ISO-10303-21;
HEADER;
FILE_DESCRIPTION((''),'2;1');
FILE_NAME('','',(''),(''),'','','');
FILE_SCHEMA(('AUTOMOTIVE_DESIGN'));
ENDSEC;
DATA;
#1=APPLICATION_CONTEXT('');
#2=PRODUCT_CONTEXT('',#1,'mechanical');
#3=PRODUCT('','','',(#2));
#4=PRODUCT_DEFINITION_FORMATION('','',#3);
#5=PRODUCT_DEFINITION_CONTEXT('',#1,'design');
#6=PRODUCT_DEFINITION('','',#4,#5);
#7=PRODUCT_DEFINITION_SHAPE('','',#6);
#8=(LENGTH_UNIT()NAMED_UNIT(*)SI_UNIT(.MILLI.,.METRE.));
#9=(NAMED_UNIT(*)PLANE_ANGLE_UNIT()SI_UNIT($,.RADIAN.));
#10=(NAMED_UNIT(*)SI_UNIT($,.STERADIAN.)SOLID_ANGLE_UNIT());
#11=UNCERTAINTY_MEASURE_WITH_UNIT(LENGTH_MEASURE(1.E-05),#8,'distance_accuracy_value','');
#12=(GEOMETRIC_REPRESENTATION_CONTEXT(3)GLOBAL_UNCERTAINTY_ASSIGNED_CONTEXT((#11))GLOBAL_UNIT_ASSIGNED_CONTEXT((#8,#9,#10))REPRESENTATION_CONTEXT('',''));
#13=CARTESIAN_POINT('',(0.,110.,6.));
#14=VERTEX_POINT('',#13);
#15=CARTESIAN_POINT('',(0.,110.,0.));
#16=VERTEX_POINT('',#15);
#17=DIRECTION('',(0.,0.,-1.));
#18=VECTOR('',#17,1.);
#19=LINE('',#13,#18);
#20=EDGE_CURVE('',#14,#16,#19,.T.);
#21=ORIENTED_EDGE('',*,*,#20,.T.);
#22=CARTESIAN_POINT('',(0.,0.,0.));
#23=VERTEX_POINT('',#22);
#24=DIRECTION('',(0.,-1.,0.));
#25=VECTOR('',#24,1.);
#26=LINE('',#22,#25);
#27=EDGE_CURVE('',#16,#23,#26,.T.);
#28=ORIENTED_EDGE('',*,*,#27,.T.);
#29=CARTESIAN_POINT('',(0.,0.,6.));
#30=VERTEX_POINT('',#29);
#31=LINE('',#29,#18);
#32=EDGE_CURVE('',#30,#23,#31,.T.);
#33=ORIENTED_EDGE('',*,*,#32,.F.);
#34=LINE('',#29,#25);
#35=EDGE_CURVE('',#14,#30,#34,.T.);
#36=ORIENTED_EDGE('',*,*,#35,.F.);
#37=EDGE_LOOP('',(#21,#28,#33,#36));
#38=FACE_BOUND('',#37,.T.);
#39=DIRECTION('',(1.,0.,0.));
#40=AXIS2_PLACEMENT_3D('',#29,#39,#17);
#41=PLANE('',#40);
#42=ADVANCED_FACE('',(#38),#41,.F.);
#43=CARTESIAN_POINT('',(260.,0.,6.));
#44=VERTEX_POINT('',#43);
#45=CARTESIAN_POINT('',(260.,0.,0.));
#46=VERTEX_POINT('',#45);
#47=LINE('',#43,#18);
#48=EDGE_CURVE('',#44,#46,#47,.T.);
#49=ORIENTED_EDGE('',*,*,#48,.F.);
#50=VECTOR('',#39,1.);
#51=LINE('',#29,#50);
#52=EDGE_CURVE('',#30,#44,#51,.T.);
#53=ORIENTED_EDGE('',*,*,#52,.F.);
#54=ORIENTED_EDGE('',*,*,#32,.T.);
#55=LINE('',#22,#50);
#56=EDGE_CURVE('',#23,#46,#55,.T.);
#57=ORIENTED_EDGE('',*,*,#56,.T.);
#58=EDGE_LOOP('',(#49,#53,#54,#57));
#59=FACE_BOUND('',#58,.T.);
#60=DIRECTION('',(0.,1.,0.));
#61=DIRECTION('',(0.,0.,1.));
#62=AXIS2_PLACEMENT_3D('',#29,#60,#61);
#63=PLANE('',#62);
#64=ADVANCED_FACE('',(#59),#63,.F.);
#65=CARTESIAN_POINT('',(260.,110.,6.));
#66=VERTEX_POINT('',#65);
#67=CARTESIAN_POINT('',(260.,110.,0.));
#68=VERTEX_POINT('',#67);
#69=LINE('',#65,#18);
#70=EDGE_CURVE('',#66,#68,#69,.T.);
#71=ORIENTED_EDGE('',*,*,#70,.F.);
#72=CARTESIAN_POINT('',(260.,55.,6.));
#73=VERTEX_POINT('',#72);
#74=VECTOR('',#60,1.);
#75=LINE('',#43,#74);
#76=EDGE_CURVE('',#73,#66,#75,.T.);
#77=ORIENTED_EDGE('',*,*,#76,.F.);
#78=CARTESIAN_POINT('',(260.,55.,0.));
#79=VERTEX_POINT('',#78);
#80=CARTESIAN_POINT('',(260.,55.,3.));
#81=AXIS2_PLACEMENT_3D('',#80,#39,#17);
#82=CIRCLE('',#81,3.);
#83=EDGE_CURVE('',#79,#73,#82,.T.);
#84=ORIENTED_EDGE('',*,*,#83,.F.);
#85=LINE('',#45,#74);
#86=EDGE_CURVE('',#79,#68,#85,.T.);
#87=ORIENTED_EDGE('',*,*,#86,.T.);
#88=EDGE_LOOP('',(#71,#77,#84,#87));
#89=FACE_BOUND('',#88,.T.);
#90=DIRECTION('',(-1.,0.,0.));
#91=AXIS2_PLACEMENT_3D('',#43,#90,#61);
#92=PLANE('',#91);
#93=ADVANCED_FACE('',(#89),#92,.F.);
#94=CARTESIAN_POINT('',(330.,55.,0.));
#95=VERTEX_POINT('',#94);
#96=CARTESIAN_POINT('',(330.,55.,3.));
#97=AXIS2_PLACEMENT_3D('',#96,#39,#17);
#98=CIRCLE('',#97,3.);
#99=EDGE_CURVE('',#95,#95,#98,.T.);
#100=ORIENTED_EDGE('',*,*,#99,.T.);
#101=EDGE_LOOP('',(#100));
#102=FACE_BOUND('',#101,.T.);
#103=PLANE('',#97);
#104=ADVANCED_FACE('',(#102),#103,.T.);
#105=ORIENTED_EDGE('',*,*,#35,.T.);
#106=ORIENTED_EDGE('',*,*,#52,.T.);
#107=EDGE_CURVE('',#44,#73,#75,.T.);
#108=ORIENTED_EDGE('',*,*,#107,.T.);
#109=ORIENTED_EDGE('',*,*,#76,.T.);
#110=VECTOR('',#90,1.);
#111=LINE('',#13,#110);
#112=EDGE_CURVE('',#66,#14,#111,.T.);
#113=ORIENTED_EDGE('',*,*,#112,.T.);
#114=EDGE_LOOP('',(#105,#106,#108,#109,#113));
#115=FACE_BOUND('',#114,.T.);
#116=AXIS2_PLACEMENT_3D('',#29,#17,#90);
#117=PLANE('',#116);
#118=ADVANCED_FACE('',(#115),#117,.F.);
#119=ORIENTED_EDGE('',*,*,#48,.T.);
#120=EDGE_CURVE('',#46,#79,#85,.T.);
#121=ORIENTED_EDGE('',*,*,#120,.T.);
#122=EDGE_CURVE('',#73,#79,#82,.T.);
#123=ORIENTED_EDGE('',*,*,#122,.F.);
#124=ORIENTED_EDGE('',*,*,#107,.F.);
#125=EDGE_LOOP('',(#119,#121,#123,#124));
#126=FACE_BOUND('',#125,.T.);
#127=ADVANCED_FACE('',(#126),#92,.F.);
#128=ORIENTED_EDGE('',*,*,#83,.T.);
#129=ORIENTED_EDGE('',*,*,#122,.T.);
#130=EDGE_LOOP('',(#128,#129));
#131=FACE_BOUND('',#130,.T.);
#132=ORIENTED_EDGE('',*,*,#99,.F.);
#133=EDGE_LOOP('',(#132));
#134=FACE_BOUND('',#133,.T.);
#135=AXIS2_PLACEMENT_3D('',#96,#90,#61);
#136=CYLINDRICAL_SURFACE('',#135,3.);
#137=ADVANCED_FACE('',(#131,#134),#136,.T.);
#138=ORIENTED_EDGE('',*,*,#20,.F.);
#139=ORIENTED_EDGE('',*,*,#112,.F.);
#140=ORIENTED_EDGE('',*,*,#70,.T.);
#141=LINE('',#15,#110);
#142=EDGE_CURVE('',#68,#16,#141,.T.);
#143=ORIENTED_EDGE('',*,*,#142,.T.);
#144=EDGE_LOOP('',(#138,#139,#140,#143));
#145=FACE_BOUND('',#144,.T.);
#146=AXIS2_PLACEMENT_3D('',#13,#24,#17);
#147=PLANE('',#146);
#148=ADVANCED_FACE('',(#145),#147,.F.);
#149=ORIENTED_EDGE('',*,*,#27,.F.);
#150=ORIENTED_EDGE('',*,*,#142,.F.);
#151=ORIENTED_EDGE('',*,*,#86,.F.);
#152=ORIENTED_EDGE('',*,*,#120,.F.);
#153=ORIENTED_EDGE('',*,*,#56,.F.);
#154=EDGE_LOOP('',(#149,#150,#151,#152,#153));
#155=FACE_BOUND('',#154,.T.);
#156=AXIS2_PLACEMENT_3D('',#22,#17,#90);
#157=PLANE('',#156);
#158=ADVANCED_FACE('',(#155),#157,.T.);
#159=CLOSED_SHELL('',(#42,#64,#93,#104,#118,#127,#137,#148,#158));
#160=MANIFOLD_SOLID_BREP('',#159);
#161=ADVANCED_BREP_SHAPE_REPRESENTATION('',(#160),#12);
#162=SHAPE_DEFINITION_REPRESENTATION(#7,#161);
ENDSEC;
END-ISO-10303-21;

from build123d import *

# Parameters (mm, degrees)
SKETCH_1_W      = 260
SKETCH_1_H      = 110
EXTRUDE_1_DEPTH = 6
SKETCH_2_R      = 3
EXTRUDE_2_DEPTH = 70


with BuildPart() as part:
    # 草图1 → 凸台-拉伸1 (new body)
    with BuildSketch(Plane.XY):
        with Locations((130, 55)):
            Rectangle(SKETCH_1_W, SKETCH_1_H)
    extrude(amount=EXTRUDE_1_DEPTH)

    # 草图2 → 凸台-拉伸2 (add)
    with BuildSketch(Plane(origin=(260, 0, 0), x_dir=(0, 0, -1), z_dir=(1, 0, 0))):
        with Locations((-3, 55)):
            Circle(SKETCH_2_R)
    extrude(amount=EXTRUDE_2_DEPTH)


solid = part.part
